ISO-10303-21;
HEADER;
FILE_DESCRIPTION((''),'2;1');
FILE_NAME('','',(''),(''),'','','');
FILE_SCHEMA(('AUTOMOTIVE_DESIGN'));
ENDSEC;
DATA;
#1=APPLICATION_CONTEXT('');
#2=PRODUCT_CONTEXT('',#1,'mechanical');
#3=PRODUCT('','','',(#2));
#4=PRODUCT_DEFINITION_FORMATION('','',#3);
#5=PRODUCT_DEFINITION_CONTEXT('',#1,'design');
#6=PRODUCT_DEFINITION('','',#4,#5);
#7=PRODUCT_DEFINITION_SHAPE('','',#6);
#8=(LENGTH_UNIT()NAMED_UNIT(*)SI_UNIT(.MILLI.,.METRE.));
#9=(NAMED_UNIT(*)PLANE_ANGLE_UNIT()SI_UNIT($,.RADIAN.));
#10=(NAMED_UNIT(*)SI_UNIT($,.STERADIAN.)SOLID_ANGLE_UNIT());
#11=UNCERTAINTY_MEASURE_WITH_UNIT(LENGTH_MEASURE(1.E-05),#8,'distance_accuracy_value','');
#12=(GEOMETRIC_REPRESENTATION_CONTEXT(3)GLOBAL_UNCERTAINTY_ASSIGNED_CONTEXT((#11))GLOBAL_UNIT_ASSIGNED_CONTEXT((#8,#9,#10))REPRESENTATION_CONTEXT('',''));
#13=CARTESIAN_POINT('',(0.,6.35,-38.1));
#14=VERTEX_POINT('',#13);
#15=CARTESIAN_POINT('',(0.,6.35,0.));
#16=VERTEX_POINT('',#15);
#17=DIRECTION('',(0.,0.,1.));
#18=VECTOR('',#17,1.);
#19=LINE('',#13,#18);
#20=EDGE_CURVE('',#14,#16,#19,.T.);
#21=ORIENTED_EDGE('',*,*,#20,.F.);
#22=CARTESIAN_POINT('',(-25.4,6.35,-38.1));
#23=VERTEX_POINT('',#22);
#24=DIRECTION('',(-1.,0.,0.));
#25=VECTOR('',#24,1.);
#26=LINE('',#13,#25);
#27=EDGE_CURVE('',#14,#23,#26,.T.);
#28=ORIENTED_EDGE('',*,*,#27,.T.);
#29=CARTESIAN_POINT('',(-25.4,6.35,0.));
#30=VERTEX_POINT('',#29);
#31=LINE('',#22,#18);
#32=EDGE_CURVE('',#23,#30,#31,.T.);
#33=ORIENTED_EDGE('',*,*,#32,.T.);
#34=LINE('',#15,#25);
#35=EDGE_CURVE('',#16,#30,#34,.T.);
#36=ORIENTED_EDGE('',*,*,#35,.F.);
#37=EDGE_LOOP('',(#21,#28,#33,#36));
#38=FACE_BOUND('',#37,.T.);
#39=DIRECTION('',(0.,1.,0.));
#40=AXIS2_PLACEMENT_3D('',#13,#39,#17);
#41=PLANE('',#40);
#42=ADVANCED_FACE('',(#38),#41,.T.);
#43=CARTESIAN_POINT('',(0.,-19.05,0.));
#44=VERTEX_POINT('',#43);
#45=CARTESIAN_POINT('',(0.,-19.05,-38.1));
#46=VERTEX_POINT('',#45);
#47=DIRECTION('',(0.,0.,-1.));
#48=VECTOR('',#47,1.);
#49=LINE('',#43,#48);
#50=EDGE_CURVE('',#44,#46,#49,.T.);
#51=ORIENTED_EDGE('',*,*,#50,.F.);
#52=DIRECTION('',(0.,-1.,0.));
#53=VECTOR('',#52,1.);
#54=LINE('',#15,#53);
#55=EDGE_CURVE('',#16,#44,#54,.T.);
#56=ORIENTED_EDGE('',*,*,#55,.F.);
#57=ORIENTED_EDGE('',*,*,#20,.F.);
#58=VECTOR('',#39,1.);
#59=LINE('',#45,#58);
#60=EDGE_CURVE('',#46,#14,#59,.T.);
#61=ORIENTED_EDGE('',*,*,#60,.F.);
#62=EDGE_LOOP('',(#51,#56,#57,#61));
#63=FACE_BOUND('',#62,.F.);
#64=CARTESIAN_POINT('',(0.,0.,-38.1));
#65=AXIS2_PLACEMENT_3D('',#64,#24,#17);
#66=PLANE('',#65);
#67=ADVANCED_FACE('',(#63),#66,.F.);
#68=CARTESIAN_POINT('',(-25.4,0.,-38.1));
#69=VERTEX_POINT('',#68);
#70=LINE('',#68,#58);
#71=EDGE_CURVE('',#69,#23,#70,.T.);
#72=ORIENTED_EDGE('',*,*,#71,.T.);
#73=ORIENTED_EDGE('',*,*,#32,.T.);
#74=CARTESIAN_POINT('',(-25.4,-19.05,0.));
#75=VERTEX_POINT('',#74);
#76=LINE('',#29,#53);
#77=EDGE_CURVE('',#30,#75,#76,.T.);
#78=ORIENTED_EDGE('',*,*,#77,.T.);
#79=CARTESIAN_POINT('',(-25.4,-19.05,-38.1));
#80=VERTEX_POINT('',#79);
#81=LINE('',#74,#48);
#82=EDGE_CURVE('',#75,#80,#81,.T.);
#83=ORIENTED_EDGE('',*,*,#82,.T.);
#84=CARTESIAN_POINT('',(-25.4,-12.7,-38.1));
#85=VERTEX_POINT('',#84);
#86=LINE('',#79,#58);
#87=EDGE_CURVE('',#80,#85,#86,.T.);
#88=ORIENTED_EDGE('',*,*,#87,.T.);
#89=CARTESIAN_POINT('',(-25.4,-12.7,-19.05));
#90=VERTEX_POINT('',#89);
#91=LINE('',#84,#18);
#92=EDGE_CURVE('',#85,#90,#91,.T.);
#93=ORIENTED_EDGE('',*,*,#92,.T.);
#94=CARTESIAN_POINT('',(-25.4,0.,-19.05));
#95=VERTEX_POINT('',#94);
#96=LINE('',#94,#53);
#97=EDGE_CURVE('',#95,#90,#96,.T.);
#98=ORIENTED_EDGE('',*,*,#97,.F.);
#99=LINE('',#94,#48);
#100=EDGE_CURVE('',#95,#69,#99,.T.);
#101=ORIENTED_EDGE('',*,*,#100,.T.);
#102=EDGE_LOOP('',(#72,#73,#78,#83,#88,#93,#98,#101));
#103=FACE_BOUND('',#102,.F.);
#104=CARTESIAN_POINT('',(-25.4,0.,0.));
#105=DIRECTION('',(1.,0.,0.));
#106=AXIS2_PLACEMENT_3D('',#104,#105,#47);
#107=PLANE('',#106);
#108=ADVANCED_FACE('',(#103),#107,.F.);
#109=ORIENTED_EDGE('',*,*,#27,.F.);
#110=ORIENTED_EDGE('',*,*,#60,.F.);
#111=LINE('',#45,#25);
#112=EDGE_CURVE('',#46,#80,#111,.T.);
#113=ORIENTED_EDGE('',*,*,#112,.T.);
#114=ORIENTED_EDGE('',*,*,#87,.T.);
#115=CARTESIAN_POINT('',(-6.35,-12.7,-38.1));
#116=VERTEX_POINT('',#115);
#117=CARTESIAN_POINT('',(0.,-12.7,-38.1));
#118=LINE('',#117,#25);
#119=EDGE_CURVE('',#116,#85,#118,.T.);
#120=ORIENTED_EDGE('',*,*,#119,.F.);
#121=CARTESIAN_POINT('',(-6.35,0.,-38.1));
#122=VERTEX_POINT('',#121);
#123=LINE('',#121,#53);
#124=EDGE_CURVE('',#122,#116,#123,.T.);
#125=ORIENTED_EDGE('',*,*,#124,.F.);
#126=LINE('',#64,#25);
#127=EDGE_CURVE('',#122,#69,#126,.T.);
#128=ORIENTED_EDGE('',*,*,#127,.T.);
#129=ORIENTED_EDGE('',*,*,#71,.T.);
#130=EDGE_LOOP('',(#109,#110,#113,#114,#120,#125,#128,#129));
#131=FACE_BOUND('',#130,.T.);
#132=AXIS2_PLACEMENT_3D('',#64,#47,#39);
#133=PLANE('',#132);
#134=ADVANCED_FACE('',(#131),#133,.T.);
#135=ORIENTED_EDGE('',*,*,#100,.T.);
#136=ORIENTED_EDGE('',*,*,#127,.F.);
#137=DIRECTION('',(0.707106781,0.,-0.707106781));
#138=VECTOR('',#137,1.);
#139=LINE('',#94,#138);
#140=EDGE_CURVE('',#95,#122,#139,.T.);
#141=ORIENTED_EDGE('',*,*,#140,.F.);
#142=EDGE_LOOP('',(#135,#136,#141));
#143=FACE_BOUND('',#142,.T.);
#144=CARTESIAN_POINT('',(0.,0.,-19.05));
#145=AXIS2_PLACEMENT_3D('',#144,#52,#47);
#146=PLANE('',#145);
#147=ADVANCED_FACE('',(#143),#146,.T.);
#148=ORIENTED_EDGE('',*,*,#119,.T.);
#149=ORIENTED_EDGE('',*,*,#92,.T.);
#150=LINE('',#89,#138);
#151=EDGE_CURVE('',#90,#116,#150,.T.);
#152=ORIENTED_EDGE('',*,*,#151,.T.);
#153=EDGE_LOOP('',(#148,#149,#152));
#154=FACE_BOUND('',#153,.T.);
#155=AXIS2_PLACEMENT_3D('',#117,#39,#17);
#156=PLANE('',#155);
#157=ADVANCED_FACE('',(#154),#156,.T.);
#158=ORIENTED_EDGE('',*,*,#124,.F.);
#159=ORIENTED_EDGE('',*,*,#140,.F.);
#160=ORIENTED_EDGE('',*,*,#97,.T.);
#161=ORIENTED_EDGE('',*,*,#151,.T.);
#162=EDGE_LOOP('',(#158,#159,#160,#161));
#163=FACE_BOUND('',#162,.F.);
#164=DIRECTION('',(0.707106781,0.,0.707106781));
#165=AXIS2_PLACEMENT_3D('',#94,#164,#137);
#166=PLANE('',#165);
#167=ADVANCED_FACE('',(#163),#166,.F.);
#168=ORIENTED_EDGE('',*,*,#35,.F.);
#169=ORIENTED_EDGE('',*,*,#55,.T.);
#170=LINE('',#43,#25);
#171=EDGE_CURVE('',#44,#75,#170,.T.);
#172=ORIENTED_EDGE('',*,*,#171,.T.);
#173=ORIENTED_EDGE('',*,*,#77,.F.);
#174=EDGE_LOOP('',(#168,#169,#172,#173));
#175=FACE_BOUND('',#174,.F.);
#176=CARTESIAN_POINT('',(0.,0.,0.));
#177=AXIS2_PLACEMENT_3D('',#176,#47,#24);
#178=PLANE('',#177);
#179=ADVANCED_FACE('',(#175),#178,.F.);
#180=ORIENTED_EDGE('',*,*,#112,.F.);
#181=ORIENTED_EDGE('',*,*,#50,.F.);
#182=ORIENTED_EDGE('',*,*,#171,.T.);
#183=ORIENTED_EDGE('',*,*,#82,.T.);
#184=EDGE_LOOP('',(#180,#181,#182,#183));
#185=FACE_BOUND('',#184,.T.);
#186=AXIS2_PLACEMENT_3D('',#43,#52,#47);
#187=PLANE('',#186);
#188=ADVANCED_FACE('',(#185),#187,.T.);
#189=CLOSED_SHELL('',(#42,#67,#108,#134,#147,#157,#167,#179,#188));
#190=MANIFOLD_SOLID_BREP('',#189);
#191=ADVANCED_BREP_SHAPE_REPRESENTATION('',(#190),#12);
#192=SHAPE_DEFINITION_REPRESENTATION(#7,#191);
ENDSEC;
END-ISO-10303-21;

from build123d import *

# Parameters (mm, degrees)
F1_DEPTH = 12.7
F2_W     = 12.7
F2_H     = 19.05
F3_DEPTH = 25.4


with BuildPart() as f1:
    # F0 (on Front) → F1 (new body)
    with BuildSketch(Plane.XZ):
        Polygon((0, -38.1), (0, 0), (-25.4, 0), (-25.4, -19.05), (-6.35, -38.1), align=None)
    extrude(amount=F1_DEPTH)

    # F2 (on face) → F3 (join)
    with BuildSketch(Plane.YZ):
        with Locations((-6.35, -9.525)):
            Rectangle(F2_W, F2_H)
        Polygon((0, 0), (0, -19.05), (0, -38.1), (6.35, -38.1), (6.35, 0), align=None)
        Polygon((-12.7, -38.1), (-12.7, -19.05), (-12.7, 0), (-19.05, 0), (-19.05, -38.1), align=None)
    extrude(amount=-F3_DEPTH)


solid = f1.part
